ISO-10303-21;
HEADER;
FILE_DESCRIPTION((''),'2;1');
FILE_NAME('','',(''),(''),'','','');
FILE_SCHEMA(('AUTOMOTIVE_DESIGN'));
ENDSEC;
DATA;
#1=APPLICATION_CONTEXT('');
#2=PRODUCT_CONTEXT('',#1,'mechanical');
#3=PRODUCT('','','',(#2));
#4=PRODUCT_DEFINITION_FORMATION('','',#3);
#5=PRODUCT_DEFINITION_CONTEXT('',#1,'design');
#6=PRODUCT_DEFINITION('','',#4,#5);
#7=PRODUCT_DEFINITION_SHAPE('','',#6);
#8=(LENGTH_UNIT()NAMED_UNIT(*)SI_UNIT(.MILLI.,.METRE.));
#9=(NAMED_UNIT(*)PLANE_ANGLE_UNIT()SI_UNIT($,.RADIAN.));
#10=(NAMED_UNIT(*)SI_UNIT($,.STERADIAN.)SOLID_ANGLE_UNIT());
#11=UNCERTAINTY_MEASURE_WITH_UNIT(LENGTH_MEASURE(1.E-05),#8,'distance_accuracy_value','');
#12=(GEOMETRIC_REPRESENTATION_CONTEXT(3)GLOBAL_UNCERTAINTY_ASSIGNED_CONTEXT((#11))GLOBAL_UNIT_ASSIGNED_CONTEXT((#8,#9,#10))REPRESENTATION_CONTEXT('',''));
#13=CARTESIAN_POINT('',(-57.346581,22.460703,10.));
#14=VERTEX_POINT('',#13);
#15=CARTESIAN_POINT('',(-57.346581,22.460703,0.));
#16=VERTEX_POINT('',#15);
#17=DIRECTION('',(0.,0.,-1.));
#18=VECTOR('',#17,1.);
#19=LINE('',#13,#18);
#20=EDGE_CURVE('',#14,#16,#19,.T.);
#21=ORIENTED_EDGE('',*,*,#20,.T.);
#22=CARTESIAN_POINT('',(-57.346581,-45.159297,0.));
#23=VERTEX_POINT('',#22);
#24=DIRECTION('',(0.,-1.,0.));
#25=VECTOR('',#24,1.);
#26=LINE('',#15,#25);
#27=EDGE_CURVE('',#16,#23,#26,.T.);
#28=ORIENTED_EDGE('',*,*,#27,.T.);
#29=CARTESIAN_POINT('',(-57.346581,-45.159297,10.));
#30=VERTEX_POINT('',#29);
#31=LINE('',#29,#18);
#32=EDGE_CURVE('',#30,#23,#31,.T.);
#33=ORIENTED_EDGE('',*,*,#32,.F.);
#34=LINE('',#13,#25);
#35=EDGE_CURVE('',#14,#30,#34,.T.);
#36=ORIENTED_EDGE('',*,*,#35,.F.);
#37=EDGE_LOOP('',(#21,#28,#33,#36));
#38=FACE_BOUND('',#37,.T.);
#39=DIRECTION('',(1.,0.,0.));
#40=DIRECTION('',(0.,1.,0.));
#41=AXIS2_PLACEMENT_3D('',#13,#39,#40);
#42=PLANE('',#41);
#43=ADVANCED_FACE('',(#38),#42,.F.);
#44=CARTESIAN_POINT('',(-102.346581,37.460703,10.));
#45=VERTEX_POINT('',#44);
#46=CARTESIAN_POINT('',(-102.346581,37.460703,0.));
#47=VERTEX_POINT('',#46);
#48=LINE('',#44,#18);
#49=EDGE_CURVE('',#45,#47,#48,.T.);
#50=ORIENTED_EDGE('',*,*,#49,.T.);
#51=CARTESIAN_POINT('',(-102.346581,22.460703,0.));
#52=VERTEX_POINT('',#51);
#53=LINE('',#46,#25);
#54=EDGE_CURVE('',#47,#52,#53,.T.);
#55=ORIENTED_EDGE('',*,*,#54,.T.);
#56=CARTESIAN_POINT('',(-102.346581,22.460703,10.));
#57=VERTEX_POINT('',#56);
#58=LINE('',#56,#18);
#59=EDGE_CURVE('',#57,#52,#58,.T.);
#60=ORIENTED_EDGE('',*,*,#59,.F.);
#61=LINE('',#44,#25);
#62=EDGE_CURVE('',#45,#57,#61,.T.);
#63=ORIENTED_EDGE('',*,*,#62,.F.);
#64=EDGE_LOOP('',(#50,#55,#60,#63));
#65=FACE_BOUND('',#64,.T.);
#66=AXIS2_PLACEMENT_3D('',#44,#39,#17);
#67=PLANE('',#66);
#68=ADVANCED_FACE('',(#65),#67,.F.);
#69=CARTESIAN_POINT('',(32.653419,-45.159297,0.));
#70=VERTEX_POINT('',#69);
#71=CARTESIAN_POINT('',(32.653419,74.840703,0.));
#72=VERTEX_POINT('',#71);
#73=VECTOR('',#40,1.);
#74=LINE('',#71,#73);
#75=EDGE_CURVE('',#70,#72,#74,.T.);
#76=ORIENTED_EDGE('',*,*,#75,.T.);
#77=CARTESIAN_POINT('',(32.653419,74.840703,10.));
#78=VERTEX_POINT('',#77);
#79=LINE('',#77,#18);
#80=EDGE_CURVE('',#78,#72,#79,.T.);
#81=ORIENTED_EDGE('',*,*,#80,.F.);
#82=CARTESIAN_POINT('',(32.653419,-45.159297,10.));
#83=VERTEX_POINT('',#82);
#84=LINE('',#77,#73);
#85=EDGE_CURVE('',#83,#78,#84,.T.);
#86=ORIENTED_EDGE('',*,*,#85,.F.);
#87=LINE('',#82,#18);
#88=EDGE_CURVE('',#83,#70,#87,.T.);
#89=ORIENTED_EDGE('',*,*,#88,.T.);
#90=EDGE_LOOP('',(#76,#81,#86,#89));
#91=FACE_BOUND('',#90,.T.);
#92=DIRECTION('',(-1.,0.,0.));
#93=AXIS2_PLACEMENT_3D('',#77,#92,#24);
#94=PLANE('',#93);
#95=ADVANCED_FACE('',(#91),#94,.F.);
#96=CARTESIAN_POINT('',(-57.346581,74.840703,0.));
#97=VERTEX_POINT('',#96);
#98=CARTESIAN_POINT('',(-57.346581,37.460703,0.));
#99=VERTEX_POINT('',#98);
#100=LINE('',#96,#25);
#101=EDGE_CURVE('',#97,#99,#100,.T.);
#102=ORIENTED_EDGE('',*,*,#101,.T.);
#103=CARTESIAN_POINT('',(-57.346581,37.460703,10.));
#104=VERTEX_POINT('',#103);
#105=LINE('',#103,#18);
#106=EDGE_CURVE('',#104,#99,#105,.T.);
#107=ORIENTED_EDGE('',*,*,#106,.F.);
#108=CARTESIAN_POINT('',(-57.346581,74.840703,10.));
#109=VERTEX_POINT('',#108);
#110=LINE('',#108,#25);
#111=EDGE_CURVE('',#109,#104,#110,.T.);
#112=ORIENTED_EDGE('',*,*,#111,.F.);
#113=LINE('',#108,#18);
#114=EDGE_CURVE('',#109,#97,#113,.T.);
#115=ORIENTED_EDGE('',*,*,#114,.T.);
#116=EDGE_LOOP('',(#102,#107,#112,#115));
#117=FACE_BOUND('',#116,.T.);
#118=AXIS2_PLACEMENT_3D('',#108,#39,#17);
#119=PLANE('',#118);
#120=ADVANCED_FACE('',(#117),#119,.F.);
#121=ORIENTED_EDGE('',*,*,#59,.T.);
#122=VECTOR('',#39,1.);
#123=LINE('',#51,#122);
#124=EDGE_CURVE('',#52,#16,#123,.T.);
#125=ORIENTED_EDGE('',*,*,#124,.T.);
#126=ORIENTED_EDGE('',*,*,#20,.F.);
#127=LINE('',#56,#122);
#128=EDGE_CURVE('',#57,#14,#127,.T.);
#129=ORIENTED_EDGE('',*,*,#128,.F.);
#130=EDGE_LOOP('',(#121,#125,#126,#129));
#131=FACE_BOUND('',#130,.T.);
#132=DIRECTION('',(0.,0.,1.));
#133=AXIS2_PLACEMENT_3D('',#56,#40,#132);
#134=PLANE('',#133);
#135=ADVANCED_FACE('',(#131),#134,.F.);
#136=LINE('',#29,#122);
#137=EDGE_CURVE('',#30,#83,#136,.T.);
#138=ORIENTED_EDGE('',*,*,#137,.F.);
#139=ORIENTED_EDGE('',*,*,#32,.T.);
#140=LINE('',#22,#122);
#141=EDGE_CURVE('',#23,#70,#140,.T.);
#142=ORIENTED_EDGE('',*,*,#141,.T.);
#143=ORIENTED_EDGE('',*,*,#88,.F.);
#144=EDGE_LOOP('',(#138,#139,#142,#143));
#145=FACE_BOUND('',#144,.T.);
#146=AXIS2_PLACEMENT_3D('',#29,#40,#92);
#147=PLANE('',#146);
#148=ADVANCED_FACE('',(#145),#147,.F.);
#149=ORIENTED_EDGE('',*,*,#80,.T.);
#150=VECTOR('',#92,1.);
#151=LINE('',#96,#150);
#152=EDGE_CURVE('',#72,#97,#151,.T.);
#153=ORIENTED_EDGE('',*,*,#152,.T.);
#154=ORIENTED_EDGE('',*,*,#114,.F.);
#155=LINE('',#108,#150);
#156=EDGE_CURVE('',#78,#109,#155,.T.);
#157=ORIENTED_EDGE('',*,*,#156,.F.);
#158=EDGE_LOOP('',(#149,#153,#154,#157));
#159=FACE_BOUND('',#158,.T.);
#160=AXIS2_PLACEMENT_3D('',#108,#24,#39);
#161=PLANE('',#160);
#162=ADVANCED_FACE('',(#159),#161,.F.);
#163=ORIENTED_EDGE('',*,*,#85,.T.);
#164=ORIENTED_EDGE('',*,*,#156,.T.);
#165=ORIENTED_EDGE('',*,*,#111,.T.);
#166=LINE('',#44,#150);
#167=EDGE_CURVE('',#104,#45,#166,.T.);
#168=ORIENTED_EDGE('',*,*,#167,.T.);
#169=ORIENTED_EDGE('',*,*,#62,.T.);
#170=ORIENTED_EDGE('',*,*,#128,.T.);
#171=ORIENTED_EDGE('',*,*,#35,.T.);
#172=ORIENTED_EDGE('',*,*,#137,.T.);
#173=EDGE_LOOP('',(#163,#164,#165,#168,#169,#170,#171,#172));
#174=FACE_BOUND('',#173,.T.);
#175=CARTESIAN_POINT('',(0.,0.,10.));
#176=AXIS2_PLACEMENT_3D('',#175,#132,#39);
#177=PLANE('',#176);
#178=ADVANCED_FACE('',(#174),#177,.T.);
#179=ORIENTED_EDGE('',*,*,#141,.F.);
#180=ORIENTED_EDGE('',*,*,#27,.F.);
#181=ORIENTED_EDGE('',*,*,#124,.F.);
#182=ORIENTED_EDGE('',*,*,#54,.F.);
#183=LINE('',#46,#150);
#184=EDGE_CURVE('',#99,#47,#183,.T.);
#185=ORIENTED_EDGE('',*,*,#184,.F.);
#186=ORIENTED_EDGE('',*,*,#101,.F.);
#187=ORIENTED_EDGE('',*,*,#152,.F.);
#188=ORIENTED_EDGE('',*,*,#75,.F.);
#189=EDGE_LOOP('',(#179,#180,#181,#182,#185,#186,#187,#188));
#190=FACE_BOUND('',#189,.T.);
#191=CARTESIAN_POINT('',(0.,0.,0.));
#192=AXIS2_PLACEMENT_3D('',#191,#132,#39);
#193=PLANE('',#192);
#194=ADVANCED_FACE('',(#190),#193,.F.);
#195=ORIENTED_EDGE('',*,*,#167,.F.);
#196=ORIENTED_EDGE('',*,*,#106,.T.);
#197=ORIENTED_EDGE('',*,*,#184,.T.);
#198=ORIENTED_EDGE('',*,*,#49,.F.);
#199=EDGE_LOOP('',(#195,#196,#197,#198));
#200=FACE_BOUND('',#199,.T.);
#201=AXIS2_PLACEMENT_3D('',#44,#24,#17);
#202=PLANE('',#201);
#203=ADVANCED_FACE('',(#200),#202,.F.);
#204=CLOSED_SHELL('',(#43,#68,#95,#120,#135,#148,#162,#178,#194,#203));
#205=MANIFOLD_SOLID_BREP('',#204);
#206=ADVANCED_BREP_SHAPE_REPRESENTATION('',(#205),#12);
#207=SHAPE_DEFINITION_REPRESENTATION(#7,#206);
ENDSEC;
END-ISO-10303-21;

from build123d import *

# Parameters (mm, degrees)
BOSS_EXTRUDE1_DEPTH = 10


with BuildPart() as part:
    # Sketch1 → Boss-Extrude1 (new body)
    with BuildSketch(Plane.XY):
        Polygon((-57.346581188, 74.840703022), (32.653418812, 74.840703022), (32.653418812, -45.159296978), (-57.346581188, -45.159296978), (-57.346581188, 22.460703022), (-102.346581188, 22.460703022), (-102.346581188, 37.460703022), (-57.346581188, 37.460703022), align=None)
    extrude(amount=BOSS_EXTRUDE1_DEPTH)


solid = part.part
